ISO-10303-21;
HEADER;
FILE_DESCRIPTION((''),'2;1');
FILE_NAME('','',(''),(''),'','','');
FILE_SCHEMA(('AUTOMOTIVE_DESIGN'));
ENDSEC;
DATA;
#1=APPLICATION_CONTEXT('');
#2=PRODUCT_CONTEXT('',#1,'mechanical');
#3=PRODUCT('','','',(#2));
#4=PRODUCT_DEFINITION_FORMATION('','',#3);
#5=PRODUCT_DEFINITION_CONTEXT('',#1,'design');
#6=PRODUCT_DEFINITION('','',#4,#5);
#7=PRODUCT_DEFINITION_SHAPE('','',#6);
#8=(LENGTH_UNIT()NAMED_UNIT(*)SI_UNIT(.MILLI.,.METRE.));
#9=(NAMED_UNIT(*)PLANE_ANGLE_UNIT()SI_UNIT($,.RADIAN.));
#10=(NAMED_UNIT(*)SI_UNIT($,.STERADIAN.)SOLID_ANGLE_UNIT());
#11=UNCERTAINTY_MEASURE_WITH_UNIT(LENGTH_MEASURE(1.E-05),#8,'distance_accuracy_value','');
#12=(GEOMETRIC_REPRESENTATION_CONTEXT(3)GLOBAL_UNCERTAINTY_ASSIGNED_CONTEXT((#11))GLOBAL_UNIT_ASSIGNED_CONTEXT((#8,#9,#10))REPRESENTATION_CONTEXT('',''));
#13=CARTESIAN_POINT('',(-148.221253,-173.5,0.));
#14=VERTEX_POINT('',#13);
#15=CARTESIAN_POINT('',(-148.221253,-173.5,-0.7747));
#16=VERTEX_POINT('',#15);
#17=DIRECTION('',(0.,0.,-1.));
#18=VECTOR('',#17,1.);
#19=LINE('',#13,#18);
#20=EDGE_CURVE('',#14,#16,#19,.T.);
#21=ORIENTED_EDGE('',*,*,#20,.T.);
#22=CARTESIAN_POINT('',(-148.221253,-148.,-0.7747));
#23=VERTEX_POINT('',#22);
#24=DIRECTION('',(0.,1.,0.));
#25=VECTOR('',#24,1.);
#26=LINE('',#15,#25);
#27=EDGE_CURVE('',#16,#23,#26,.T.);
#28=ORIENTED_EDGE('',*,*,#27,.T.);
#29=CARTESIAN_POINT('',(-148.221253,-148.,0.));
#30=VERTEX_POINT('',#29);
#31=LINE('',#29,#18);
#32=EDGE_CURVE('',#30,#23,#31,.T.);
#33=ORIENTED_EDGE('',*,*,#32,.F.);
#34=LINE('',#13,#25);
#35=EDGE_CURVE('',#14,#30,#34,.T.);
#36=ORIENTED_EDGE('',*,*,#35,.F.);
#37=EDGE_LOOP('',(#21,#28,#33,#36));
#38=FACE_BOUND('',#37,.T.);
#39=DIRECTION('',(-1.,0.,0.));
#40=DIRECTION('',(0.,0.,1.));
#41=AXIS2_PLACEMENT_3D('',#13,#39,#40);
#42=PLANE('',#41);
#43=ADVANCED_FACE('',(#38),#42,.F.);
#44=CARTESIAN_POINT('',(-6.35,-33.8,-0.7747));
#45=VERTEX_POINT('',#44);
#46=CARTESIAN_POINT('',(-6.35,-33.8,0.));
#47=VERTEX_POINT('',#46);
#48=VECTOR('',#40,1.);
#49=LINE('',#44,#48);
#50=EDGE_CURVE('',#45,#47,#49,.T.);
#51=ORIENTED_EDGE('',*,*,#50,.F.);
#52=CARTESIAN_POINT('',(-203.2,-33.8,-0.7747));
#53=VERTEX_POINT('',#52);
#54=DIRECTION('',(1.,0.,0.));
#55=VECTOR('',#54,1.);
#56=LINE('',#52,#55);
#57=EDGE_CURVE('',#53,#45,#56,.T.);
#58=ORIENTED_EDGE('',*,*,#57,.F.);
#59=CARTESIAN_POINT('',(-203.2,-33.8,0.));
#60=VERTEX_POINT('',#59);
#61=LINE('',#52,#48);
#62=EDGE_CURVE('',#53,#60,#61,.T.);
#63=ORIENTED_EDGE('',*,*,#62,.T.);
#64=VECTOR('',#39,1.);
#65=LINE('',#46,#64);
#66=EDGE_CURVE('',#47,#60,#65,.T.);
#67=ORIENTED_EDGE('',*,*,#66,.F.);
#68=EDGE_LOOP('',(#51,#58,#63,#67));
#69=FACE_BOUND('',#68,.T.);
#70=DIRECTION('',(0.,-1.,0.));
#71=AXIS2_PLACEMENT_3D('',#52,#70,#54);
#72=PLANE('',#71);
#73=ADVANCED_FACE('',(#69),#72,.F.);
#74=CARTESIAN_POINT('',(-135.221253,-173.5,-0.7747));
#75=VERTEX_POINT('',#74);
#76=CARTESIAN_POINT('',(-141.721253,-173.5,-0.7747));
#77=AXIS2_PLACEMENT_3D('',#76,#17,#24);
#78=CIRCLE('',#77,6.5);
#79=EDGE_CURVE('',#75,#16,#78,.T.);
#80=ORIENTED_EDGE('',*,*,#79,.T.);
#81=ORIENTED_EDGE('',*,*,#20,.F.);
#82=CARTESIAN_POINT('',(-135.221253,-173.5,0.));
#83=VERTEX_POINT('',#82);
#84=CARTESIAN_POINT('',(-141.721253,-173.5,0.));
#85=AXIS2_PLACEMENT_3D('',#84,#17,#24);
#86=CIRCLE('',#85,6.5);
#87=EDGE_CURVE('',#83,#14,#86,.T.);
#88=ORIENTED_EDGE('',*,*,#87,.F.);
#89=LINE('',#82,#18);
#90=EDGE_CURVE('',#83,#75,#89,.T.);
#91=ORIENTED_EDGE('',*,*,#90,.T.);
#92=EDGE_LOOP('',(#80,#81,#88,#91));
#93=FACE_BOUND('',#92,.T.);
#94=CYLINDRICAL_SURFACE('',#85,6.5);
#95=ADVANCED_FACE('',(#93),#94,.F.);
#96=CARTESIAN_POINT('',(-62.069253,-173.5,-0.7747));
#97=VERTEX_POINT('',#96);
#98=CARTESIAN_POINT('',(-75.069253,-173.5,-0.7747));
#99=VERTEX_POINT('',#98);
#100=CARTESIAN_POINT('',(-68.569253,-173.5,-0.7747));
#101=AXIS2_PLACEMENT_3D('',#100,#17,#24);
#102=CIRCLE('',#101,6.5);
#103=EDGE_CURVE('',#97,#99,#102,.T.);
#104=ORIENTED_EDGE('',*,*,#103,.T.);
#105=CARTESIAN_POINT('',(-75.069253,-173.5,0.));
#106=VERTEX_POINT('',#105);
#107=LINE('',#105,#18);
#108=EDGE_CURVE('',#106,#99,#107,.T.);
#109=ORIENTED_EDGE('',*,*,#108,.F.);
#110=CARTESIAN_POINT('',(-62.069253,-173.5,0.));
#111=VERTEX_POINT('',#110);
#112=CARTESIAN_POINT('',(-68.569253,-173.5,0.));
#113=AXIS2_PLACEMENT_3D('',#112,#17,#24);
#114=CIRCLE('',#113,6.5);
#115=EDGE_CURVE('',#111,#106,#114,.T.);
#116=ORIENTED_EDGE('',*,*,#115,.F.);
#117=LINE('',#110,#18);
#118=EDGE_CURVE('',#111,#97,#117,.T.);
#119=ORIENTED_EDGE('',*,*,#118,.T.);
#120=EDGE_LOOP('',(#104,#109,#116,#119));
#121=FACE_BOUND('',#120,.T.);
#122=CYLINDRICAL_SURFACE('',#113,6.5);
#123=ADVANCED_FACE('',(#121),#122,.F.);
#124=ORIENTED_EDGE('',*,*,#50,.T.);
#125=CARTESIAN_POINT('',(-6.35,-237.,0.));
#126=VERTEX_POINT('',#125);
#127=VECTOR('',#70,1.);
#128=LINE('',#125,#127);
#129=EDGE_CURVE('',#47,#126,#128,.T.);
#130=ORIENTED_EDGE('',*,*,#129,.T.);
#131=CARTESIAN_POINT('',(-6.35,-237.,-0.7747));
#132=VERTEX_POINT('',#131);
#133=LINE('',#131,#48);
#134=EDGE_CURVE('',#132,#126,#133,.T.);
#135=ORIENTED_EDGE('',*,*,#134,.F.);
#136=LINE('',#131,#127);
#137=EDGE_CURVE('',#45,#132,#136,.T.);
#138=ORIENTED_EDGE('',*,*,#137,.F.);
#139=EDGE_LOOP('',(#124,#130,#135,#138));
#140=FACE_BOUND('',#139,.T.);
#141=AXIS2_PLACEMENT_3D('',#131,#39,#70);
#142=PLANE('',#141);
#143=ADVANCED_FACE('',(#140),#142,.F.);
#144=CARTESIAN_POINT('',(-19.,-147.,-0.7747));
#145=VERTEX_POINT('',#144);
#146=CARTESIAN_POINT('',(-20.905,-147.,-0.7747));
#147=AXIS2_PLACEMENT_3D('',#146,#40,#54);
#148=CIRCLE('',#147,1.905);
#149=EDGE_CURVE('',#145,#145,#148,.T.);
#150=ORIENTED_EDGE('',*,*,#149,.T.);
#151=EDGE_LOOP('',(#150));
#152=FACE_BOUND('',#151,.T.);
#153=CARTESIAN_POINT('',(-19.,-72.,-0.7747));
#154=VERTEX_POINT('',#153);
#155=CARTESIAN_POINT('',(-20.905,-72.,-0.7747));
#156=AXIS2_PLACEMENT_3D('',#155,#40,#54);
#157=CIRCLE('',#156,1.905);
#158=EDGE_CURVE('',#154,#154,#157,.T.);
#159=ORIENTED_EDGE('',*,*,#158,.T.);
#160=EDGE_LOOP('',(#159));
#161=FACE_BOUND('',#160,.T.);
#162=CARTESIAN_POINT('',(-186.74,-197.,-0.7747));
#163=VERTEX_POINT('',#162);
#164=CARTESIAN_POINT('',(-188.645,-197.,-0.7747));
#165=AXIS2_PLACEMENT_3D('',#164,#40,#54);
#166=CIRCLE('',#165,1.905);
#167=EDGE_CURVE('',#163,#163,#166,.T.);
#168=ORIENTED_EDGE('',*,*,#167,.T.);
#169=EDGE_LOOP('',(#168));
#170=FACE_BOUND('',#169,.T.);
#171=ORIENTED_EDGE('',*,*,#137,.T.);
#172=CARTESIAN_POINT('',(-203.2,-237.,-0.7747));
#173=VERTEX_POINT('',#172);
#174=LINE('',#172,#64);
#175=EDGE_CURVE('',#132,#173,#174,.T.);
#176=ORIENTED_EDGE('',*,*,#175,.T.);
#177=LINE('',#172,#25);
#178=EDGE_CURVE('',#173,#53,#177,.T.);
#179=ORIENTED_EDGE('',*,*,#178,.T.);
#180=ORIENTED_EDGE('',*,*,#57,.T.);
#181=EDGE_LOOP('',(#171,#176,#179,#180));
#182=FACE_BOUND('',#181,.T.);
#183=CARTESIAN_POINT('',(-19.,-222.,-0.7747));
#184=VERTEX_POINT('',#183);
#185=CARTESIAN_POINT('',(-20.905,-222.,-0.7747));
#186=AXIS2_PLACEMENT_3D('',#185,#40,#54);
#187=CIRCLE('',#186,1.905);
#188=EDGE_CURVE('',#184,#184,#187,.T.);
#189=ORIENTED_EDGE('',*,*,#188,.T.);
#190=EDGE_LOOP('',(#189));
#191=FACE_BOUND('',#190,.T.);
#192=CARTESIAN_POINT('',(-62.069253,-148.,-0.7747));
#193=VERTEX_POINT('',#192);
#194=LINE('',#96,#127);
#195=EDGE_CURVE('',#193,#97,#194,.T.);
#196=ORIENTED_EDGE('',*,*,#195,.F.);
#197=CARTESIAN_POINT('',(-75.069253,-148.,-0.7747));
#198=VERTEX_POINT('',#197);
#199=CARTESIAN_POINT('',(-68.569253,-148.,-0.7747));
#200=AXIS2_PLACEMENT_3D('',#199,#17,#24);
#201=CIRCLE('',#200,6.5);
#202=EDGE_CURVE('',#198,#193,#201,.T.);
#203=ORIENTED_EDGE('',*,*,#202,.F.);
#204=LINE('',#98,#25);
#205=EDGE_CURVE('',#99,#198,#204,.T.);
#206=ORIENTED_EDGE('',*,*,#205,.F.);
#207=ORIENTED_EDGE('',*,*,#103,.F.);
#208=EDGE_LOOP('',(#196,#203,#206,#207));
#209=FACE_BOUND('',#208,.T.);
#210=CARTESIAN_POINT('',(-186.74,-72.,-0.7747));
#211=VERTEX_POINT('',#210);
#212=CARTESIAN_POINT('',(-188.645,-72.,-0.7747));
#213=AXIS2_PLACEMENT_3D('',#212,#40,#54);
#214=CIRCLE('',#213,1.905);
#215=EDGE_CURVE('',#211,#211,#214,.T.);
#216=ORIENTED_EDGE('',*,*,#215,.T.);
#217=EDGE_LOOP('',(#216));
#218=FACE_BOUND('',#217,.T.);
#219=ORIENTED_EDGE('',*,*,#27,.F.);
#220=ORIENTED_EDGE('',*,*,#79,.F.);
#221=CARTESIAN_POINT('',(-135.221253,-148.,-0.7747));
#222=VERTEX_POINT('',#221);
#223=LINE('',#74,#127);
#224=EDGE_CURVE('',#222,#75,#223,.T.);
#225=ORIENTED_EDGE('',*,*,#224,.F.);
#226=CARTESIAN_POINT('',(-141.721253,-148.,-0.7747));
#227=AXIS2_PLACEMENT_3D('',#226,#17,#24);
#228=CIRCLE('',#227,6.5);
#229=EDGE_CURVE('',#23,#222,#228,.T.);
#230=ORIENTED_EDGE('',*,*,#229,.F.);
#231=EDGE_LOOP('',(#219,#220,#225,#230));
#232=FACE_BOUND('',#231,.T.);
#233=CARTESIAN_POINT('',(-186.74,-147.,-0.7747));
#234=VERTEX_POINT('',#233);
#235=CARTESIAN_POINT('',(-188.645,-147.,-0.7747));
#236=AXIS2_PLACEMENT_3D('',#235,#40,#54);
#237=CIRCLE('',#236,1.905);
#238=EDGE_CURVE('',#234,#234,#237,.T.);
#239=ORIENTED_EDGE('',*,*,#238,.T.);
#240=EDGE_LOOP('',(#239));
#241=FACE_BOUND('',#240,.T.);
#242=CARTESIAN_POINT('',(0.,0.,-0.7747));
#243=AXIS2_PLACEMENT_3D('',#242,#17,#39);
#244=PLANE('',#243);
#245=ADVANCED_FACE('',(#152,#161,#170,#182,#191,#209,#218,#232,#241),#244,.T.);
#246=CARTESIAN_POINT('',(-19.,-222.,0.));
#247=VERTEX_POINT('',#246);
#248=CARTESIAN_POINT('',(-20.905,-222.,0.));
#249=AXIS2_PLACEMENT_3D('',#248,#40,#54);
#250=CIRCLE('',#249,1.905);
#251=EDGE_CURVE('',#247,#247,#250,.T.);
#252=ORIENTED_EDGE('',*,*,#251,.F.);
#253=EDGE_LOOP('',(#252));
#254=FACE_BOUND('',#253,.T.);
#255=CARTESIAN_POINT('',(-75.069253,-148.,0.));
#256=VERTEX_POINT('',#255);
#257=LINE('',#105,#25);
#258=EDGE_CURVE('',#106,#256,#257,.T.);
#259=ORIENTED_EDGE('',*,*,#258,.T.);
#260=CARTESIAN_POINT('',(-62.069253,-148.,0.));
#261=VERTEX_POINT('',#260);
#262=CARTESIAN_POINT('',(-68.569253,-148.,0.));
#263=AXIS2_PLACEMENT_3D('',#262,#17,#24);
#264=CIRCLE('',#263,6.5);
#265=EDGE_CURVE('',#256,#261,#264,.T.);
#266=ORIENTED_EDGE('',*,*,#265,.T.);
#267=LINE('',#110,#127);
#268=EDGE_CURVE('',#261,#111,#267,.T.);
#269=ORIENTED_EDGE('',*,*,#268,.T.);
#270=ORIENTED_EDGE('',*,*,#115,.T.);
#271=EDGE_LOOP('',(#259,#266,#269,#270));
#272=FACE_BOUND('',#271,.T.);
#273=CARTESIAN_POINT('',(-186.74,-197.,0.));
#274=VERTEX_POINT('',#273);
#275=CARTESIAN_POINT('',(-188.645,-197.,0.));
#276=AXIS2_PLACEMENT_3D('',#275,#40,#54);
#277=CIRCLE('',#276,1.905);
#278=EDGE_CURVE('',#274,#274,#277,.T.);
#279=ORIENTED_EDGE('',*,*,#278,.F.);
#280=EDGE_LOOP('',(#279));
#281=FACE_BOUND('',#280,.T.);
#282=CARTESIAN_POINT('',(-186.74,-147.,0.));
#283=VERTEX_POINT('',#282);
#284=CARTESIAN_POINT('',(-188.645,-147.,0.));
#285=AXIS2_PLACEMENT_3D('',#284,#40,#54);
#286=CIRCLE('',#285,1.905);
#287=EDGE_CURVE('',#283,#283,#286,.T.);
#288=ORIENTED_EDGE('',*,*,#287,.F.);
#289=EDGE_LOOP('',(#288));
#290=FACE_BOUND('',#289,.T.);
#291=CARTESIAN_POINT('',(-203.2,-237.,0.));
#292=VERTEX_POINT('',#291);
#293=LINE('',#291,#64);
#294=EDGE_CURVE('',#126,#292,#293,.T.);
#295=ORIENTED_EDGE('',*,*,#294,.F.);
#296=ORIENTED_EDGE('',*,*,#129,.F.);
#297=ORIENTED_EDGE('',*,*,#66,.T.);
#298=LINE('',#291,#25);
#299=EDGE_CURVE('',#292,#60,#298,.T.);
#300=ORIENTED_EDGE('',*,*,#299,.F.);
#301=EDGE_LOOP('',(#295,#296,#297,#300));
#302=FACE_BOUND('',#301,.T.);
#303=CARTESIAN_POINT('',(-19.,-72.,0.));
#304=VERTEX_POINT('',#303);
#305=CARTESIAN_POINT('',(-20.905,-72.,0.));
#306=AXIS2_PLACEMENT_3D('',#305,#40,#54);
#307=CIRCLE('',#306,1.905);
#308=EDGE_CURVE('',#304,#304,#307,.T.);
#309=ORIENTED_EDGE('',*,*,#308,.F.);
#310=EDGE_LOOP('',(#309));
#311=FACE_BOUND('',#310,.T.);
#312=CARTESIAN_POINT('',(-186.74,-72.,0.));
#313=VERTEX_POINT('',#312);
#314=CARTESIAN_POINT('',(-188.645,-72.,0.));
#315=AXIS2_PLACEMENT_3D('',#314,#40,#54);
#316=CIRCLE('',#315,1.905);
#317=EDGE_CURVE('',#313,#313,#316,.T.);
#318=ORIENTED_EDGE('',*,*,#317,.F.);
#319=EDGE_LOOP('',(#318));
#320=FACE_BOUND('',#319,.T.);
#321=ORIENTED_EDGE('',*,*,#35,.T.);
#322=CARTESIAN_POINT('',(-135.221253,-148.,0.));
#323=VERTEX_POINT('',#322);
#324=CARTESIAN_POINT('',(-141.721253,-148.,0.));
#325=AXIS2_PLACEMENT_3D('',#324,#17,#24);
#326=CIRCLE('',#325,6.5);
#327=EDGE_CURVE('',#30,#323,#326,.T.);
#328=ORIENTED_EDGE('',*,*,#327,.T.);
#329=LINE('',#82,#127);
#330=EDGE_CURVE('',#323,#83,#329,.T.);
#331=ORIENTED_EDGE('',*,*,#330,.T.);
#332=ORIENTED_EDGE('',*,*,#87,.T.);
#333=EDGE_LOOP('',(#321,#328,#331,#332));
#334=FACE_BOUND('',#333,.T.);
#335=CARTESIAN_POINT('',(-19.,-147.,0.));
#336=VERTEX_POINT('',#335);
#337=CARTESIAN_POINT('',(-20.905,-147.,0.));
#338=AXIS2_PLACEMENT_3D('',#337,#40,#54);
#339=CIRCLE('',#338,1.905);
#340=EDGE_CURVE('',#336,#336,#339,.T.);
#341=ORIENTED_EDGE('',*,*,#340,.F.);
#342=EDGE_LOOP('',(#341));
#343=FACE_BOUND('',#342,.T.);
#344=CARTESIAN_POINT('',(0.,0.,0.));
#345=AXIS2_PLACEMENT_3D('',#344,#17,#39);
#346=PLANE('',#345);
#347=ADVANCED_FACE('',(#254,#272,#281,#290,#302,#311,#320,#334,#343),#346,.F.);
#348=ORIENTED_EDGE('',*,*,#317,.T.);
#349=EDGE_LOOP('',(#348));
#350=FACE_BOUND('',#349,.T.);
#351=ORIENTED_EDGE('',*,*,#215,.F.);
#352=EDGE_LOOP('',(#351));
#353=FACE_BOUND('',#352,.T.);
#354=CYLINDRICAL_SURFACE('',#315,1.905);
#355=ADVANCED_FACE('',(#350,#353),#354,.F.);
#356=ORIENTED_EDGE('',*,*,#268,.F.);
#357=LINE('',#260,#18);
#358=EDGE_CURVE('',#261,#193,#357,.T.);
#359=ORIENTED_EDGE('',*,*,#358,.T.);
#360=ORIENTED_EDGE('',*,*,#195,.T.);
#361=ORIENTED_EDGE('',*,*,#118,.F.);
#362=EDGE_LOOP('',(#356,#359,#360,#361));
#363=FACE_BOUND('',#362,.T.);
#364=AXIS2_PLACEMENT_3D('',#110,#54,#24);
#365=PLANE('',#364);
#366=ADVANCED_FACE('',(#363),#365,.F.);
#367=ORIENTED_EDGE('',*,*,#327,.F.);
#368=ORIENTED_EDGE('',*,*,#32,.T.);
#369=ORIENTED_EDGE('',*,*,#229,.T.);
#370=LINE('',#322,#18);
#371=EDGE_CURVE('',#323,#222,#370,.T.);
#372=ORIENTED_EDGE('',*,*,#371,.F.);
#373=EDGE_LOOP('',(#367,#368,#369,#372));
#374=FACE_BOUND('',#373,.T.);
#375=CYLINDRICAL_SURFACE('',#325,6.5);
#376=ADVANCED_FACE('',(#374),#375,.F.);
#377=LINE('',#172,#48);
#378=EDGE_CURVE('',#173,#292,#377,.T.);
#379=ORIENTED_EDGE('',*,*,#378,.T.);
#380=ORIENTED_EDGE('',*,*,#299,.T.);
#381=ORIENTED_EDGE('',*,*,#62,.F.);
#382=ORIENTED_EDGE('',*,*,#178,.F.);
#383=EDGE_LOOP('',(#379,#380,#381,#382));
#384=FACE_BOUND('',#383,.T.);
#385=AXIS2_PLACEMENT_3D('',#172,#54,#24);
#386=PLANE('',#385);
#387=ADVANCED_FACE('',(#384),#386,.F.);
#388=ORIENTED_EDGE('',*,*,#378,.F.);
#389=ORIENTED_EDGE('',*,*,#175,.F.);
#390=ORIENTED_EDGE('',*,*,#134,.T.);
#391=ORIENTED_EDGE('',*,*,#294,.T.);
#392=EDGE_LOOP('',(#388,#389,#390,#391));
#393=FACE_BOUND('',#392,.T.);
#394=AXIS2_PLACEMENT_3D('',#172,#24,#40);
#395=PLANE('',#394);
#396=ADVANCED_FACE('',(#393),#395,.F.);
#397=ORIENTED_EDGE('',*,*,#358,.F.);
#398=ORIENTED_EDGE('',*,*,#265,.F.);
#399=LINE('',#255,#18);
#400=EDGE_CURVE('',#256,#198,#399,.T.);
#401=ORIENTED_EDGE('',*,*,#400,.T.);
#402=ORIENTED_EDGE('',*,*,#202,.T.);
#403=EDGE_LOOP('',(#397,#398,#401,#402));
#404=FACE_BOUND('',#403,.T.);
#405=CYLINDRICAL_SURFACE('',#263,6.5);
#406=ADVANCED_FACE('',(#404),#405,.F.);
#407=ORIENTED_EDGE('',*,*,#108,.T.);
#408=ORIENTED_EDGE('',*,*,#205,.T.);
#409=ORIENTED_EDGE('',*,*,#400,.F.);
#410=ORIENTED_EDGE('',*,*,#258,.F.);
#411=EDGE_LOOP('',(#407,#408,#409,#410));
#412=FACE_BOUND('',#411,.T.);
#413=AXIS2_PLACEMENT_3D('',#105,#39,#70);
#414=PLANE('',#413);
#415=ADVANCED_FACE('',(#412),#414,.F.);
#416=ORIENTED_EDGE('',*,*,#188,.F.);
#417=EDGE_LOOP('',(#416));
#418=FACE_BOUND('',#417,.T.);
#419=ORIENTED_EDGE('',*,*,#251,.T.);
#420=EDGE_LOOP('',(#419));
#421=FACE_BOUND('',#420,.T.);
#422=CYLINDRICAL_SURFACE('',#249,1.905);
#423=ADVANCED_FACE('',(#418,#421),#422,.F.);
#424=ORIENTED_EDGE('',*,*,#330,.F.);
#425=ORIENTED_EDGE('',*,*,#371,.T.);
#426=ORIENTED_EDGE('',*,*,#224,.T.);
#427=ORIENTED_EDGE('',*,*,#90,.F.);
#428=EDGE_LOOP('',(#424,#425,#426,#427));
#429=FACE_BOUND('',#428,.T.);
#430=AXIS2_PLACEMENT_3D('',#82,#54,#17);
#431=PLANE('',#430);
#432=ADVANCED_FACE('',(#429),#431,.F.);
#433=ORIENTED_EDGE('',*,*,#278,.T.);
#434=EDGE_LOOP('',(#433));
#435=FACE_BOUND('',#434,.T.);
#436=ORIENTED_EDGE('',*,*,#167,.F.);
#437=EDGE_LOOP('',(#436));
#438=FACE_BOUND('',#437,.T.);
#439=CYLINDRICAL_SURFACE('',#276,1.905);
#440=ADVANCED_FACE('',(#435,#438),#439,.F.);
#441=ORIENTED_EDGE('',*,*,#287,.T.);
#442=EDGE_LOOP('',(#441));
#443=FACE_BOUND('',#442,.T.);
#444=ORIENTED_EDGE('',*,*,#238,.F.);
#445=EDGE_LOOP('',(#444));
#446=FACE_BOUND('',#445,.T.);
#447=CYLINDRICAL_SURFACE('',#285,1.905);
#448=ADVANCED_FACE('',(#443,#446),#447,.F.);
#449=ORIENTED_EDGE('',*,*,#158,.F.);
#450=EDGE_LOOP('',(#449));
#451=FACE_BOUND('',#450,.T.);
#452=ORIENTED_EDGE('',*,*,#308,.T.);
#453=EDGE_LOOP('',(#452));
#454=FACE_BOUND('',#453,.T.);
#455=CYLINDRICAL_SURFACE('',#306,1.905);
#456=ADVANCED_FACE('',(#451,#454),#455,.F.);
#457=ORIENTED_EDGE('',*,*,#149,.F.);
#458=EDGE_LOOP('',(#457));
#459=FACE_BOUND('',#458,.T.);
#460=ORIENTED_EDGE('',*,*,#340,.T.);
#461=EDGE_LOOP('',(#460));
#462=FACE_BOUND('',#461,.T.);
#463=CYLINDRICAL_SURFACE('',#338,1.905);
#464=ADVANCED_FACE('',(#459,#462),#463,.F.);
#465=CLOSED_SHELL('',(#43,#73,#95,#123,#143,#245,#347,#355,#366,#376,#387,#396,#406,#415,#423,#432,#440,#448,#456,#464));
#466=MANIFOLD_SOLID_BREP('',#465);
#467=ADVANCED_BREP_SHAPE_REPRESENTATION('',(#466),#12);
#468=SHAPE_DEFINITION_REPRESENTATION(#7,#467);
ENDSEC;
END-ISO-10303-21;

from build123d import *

# Parameters (mm, degrees)
SKETCH1_W                             = 196.85
SKETCH1_H                             = 203.2
BOSS_EXTRUDE1_DEPTH                   = 0.7747
CUT_EXTRUDE7_DEPTH                    = 1.7747
SKETCH4_W                             = 196.85
SKETCH4_H                             = 0.6096
BOSS_EXTRUDE2_DEPTH                   = 12
SKETCH14_W                            = 196.85
SKETCH14_H                            = 11.938
BOSS_EXTRUDE3_DEPTH                   = 0.7747
SKETCH13_W                            = 196.85
SKETCH13_H                            = 0.6096
CUT_EXTRUDE9_DEPTH                    = 12
CSK_FOR_M3_FLAT_HEAD_MACHINE_SCREW3_D = 3.81
SKETCH19_W                            = 182.676330849
SKETCH19_H                            = 33.741187375
BOSS_EXTRUDE4_DEPTH                   = 0.7747
SKETCH21_W                            = 22.718000829
SKETCH21_H                            = 22.312299049
SKETCH21_W_2                          = 21.538835619
SKETCH21_H_2                          = 16.643270878
BOSS_EXTRUDE5_DEPTH                   = 0.7747
SKETCH22_W                            = 13.90531837
SKETCH22_H                            = 14.215216999
SKETCH22_W_2                          = 12.509578485
SKETCH22_H_2                          = 9.075576548
BOSS_EXTRUDE6_DEPTH                   = 0.7747


with BuildPart() as part:
    # Sketch1 → Boss-Extrude1 (new body)
    with BuildSketch(Plane(origin=(0, 0, 0), x_dir=(1, 0, 0), z_dir=(0, 0, -1))):
        with Locations((-104.775, 135.4)):
            Rectangle(SKETCH1_W, SKETCH1_H)
    extrude(amount=BOSS_EXTRUDE1_DEPTH)

    # Sketch2 → Cut-Extrude7 (cut, through all)
    with BuildSketch(Plane(origin=(0, 0, -0.7747), x_dir=(1, 0, 0), z_dir=(0, 0, -1))):
        with BuildLine():
            Line((-135.221253236, 173.5), (-135.221253236, 148))
            ThreePointArc((-135.221253236, 148), (-141.721253236, 141.5), (-148.221253236, 148))
            Line((-148.221253236, 148), (-148.221253236, 173.5))
            ThreePointArc((-148.221253236, 173.5), (-141.721253236, 180), (-135.221253236, 173.5))
        make_face()
        with BuildLine():
            Line((-62.069253236, 173.5), (-62.069253236, 148))
            ThreePointArc((-62.069253236, 148), (-68.569253236, 141.5), (-75.069253236, 148))
            Line((-75.069253236, 148), (-75.069253236, 173.5))
            ThreePointArc((-75.069253236, 173.5), (-68.569253236, 180), (-62.069253236, 173.5))
        make_face()
    extrude(amount=-CUT_EXTRUDE7_DEPTH, mode=Mode.SUBTRACT)

    # Sketch4 → Boss-Extrude2 (add)
    with BuildSketch(Plane.XY):
        with Locations((-104.775, -34.1048)):
            Rectangle(SKETCH4_W, SKETCH4_H)
    extrude(amount=BOSS_EXTRUDE2_DEPTH)

    # Sketch14 → Boss-Extrude3 (add)
    with BuildSketch(Plane.XY):
        with Locations((-104.775, -53.935004147)):
            Rectangle(SKETCH14_W, SKETCH14_H)
    extrude(amount=-BOSS_EXTRUDE3_DEPTH)

    # Sketch13 → Cut-Extrude9 (cut)
    with BuildSketch(Plane.XY.offset(12)):
        with Locations((-104.775, -34.1048)):
            Rectangle(SKETCH13_W, SKETCH13_H)
    extrude(amount=-CUT_EXTRUDE9_DEPTH, mode=Mode.SUBTRACT)

    # CSK for M3 Flat Head Machine Screw3 (through all)
    with Locations(Plane.XY):
        with Locations((-188.645, -72), (-188.645, -222), (-188.645, -197), (-188.645, -172), (-188.645, -147), (-188.645, -122), (-188.645, -97)):
            csk_for_m3_flat_head_machine_screw3 = Hole(CSK_FOR_M3_FLAT_HEAD_MACHINE_SCREW3_D / 2)

    # Mirror1: CSK for M3 Flat Head Machine Screw3 across plane
    add(csk_for_m3_flat_head_machine_screw3.mirror(Plane(origin=(-104.775, 0, 0), x_dir=(0, 0, 1), z_dir=(1, 0, 0))), mode=Mode.SUBTRACT)

    # Sketch19 → Boss-Extrude4 (add)
    with BuildSketch(Plane(origin=(0, 0, -0.7747), x_dir=(-1, 0, 0), z_dir=(0, 0, -1))):
        with Locations((101.266706015, -109.837466763)):
            Rectangle(SKETCH19_W, SKETCH19_H)
    extrude(amount=-BOSS_EXTRUDE4_DEPTH)

    # Sketch21 → Boss-Extrude5 (add)
    with BuildSketch(Plane(origin=(0, 0, -0.7747), x_dir=(-1, 0, 0), z_dir=(0, 0, -1))):
        with Locations((185.571692861, -170.919383368)):
            Rectangle(SKETCH21_W, SKETCH21_H)
        with Locations((24.271371833, -173.753897453)):
            Rectangle(SKETCH21_W_2, SKETCH21_H_2)
    extrude(amount=-BOSS_EXTRUDE5_DEPTH)

    # Sketch22 → Boss-Extrude6 (add)
    with BuildSketch(Plane.XY):
        with Locations((-189.313880795, -220.883843828)):
            Rectangle(SKETCH22_W, SKETCH22_H)
        with Locations((-23.670028487, -197.876391374)):
            Rectangle(SKETCH22_W_2, SKETCH22_H_2)
    extrude(amount=-BOSS_EXTRUDE6_DEPTH)


solid = part.part
